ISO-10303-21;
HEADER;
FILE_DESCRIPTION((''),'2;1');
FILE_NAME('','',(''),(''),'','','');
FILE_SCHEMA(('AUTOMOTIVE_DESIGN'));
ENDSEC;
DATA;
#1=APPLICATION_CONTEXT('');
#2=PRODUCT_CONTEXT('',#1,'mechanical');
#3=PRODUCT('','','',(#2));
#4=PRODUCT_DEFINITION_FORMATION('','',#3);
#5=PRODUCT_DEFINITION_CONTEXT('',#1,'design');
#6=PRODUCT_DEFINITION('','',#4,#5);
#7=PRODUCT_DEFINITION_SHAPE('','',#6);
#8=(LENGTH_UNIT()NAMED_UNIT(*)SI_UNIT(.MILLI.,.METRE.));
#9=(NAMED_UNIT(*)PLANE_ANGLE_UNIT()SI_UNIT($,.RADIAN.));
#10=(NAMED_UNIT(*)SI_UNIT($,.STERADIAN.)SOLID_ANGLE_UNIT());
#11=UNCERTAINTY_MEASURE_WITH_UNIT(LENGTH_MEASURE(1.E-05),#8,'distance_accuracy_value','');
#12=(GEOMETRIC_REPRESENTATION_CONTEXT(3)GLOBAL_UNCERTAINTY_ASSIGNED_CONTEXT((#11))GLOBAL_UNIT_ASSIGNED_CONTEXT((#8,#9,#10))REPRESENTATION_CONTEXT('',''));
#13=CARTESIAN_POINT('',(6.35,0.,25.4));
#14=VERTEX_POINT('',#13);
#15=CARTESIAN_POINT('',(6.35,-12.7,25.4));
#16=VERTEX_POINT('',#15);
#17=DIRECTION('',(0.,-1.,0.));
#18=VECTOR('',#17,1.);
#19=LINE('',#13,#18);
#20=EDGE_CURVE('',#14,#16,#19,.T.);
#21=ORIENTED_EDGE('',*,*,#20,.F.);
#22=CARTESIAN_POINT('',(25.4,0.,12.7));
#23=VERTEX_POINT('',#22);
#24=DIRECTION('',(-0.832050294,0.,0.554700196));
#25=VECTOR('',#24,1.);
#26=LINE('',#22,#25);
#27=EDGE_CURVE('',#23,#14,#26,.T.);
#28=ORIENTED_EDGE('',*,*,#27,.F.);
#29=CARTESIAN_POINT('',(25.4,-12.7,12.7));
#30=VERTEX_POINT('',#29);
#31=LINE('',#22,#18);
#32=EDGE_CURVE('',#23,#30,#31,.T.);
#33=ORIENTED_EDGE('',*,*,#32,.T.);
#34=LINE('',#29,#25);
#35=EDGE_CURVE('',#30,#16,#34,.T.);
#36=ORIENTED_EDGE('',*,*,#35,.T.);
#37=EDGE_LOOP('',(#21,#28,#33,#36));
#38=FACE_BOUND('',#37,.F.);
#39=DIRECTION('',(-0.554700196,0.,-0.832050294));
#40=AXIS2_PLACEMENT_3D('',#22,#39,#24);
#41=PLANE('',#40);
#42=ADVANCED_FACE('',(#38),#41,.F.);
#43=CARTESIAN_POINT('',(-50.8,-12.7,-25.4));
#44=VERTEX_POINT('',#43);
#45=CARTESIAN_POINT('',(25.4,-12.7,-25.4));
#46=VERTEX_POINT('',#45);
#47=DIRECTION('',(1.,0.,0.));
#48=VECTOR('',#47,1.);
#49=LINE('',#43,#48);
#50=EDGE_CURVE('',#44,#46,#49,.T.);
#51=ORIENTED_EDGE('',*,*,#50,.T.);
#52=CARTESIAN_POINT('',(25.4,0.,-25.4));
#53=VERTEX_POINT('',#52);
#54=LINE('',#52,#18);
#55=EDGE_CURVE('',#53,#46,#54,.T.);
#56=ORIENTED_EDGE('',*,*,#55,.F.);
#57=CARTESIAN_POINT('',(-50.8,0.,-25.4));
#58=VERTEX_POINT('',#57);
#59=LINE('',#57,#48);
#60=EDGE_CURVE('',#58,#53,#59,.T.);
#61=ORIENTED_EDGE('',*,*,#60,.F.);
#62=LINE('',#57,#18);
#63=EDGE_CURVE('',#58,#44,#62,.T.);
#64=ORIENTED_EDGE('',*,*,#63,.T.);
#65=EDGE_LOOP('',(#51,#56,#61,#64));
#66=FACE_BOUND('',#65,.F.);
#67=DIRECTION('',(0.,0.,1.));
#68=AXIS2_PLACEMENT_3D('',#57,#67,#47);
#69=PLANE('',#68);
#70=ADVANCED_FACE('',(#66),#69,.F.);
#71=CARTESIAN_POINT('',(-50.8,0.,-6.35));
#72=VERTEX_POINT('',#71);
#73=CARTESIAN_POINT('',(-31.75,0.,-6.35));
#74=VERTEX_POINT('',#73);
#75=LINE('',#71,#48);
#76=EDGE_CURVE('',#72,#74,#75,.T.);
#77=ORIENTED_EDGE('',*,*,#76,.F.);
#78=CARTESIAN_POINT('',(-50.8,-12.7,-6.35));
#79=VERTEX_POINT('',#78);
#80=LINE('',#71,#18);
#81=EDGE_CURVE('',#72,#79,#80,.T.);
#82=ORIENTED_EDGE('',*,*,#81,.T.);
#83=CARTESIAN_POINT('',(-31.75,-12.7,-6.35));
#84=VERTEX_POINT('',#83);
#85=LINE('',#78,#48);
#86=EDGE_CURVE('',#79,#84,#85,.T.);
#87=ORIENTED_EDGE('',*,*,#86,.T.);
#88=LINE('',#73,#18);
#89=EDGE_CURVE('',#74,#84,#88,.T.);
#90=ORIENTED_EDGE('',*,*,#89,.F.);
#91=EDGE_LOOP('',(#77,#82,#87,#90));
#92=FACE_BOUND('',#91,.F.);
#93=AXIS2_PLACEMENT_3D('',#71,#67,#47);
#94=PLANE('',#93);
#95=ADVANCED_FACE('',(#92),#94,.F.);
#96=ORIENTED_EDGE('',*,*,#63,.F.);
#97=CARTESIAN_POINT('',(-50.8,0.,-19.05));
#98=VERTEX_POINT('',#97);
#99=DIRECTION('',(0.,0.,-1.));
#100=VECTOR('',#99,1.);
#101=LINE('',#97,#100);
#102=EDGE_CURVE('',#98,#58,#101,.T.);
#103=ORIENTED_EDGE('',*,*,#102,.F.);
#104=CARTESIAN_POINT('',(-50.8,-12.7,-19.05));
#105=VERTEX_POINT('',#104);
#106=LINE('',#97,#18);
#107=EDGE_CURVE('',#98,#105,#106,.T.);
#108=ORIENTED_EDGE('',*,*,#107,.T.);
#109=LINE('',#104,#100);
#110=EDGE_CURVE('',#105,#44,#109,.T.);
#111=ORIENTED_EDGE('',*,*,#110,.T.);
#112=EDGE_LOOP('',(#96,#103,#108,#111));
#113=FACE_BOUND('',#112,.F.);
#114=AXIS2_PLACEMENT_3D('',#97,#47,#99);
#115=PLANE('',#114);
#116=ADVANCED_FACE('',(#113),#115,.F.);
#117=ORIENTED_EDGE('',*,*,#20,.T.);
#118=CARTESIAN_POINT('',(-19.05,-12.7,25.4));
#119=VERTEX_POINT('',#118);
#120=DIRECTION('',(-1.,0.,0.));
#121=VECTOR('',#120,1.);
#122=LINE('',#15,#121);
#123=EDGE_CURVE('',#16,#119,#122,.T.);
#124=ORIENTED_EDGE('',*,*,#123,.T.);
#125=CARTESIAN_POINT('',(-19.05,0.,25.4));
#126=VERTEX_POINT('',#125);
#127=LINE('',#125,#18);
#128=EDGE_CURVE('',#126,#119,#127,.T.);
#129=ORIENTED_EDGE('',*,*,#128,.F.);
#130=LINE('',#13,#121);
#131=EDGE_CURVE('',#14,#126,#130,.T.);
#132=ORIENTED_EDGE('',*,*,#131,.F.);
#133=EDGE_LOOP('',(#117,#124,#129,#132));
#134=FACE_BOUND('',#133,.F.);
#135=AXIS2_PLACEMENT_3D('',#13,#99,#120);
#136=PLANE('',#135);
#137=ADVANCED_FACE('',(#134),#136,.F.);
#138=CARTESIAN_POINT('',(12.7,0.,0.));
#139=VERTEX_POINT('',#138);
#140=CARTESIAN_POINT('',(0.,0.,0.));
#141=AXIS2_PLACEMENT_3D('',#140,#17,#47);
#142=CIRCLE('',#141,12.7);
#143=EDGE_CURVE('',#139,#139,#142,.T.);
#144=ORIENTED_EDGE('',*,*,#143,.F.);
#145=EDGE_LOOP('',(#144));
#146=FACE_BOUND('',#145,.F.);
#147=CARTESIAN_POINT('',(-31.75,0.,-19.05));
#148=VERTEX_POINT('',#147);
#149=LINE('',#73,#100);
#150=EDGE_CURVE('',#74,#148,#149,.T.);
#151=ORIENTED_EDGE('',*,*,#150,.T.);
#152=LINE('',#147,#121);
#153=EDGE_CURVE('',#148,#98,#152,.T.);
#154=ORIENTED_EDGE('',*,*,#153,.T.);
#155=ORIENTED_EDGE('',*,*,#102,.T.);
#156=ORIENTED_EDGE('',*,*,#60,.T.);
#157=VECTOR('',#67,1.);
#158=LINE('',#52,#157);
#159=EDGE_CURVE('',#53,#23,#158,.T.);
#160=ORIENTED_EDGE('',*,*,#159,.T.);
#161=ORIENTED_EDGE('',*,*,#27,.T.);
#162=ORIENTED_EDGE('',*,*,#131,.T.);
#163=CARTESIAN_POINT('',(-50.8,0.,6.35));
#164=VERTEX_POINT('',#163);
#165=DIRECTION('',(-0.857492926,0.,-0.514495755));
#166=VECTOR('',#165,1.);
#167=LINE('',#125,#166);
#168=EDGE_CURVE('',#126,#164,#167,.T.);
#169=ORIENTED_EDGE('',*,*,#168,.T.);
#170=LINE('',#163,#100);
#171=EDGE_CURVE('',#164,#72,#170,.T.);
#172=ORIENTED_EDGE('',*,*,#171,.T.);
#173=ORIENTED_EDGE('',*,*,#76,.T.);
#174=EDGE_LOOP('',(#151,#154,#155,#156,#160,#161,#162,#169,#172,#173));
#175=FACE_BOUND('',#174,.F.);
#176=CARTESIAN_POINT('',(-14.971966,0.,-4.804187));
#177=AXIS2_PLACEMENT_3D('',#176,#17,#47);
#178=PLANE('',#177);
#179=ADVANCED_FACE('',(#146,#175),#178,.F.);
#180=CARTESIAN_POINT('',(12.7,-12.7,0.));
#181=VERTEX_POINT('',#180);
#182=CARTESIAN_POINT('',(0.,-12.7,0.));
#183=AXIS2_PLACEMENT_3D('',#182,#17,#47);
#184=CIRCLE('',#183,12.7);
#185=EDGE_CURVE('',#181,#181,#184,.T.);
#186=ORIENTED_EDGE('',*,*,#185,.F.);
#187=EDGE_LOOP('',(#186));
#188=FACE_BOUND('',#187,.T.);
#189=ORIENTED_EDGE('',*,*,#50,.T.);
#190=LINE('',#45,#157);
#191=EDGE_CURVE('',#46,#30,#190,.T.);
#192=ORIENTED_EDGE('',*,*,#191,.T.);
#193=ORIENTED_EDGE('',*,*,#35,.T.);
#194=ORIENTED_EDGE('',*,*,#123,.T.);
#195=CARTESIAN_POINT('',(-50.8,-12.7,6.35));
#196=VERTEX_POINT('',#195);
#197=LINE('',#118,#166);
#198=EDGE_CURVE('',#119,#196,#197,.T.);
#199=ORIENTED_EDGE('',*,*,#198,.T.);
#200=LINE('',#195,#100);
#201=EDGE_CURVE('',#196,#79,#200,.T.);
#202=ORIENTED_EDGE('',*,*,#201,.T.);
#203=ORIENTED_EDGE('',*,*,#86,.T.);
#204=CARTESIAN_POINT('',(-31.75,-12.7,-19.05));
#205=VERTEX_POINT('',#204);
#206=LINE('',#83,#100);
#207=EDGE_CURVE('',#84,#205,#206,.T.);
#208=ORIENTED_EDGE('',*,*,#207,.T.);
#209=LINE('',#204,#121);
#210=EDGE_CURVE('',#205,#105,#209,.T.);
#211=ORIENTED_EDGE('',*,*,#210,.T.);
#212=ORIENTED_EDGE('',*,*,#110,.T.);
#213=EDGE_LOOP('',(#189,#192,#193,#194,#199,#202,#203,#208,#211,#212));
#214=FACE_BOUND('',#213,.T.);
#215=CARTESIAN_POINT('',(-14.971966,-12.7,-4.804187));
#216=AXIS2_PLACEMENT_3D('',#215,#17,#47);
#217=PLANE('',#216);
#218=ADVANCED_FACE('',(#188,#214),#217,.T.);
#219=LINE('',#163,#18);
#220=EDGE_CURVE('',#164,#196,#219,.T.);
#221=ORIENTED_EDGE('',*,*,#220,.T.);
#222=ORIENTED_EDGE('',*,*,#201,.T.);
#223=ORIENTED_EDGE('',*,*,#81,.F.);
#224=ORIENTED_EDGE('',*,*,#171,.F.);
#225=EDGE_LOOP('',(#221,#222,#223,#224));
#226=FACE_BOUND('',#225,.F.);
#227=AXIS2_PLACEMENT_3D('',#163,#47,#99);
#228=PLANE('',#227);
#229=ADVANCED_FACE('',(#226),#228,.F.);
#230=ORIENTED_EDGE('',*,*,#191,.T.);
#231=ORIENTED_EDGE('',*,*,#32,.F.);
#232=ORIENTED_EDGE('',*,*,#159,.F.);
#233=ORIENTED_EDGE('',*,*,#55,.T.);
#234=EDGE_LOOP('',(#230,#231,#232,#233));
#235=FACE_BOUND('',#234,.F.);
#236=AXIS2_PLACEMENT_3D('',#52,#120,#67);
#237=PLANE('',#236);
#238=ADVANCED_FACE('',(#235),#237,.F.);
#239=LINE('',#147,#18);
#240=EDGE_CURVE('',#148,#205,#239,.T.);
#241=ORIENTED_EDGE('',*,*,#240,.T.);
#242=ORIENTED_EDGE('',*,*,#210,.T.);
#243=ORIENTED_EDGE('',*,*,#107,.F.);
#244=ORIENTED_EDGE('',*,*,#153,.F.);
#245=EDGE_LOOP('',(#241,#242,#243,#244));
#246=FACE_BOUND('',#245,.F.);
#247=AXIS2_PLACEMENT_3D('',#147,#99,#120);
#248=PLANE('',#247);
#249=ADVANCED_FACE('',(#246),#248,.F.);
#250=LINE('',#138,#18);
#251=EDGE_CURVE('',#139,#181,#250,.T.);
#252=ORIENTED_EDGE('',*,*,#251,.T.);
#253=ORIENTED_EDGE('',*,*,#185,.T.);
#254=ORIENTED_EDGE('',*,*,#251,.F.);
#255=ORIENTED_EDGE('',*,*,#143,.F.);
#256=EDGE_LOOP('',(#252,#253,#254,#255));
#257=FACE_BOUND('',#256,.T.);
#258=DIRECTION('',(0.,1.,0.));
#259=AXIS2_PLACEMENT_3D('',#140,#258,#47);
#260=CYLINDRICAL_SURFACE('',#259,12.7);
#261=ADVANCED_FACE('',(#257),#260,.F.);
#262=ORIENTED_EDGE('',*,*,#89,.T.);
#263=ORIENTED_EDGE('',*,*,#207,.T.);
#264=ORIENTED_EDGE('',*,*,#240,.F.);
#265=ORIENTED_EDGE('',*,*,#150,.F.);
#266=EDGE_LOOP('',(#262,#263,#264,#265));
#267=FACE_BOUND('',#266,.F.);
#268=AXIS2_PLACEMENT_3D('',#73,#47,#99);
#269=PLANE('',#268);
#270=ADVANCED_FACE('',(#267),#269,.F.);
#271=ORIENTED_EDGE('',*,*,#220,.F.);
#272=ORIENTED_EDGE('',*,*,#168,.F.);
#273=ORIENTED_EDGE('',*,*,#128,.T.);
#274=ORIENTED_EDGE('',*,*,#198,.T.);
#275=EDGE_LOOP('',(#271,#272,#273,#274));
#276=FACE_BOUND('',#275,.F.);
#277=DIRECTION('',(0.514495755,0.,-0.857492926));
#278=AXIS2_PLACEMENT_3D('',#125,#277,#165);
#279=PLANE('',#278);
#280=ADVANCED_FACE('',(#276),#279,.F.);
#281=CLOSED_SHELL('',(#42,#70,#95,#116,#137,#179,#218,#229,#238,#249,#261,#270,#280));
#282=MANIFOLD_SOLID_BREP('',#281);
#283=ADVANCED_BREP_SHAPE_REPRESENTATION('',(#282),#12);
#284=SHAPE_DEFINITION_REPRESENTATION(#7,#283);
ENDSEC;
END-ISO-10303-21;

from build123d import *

# Parameters (mm, degrees)
F0_R     = 12.7
F1_DEPTH = 12.7


with BuildPart() as f1:
    # F0 (on Front) → F1 (new body)
    with BuildSketch(Plane.XZ):
        Polygon((25.4, 12.7), (6.35, 25.4), (-19.05, 25.4), (-50.8, 6.35), (-50.8, -6.35), (-31.75, -6.35), (-31.75, -19.05), (-50.8, -19.05), (-50.8, -25.4), (25.4, -25.4), align=None)
        Circle(F0_R, mode=Mode.SUBTRACT)
    extrude(amount=F1_DEPTH)


solid = f1.part
